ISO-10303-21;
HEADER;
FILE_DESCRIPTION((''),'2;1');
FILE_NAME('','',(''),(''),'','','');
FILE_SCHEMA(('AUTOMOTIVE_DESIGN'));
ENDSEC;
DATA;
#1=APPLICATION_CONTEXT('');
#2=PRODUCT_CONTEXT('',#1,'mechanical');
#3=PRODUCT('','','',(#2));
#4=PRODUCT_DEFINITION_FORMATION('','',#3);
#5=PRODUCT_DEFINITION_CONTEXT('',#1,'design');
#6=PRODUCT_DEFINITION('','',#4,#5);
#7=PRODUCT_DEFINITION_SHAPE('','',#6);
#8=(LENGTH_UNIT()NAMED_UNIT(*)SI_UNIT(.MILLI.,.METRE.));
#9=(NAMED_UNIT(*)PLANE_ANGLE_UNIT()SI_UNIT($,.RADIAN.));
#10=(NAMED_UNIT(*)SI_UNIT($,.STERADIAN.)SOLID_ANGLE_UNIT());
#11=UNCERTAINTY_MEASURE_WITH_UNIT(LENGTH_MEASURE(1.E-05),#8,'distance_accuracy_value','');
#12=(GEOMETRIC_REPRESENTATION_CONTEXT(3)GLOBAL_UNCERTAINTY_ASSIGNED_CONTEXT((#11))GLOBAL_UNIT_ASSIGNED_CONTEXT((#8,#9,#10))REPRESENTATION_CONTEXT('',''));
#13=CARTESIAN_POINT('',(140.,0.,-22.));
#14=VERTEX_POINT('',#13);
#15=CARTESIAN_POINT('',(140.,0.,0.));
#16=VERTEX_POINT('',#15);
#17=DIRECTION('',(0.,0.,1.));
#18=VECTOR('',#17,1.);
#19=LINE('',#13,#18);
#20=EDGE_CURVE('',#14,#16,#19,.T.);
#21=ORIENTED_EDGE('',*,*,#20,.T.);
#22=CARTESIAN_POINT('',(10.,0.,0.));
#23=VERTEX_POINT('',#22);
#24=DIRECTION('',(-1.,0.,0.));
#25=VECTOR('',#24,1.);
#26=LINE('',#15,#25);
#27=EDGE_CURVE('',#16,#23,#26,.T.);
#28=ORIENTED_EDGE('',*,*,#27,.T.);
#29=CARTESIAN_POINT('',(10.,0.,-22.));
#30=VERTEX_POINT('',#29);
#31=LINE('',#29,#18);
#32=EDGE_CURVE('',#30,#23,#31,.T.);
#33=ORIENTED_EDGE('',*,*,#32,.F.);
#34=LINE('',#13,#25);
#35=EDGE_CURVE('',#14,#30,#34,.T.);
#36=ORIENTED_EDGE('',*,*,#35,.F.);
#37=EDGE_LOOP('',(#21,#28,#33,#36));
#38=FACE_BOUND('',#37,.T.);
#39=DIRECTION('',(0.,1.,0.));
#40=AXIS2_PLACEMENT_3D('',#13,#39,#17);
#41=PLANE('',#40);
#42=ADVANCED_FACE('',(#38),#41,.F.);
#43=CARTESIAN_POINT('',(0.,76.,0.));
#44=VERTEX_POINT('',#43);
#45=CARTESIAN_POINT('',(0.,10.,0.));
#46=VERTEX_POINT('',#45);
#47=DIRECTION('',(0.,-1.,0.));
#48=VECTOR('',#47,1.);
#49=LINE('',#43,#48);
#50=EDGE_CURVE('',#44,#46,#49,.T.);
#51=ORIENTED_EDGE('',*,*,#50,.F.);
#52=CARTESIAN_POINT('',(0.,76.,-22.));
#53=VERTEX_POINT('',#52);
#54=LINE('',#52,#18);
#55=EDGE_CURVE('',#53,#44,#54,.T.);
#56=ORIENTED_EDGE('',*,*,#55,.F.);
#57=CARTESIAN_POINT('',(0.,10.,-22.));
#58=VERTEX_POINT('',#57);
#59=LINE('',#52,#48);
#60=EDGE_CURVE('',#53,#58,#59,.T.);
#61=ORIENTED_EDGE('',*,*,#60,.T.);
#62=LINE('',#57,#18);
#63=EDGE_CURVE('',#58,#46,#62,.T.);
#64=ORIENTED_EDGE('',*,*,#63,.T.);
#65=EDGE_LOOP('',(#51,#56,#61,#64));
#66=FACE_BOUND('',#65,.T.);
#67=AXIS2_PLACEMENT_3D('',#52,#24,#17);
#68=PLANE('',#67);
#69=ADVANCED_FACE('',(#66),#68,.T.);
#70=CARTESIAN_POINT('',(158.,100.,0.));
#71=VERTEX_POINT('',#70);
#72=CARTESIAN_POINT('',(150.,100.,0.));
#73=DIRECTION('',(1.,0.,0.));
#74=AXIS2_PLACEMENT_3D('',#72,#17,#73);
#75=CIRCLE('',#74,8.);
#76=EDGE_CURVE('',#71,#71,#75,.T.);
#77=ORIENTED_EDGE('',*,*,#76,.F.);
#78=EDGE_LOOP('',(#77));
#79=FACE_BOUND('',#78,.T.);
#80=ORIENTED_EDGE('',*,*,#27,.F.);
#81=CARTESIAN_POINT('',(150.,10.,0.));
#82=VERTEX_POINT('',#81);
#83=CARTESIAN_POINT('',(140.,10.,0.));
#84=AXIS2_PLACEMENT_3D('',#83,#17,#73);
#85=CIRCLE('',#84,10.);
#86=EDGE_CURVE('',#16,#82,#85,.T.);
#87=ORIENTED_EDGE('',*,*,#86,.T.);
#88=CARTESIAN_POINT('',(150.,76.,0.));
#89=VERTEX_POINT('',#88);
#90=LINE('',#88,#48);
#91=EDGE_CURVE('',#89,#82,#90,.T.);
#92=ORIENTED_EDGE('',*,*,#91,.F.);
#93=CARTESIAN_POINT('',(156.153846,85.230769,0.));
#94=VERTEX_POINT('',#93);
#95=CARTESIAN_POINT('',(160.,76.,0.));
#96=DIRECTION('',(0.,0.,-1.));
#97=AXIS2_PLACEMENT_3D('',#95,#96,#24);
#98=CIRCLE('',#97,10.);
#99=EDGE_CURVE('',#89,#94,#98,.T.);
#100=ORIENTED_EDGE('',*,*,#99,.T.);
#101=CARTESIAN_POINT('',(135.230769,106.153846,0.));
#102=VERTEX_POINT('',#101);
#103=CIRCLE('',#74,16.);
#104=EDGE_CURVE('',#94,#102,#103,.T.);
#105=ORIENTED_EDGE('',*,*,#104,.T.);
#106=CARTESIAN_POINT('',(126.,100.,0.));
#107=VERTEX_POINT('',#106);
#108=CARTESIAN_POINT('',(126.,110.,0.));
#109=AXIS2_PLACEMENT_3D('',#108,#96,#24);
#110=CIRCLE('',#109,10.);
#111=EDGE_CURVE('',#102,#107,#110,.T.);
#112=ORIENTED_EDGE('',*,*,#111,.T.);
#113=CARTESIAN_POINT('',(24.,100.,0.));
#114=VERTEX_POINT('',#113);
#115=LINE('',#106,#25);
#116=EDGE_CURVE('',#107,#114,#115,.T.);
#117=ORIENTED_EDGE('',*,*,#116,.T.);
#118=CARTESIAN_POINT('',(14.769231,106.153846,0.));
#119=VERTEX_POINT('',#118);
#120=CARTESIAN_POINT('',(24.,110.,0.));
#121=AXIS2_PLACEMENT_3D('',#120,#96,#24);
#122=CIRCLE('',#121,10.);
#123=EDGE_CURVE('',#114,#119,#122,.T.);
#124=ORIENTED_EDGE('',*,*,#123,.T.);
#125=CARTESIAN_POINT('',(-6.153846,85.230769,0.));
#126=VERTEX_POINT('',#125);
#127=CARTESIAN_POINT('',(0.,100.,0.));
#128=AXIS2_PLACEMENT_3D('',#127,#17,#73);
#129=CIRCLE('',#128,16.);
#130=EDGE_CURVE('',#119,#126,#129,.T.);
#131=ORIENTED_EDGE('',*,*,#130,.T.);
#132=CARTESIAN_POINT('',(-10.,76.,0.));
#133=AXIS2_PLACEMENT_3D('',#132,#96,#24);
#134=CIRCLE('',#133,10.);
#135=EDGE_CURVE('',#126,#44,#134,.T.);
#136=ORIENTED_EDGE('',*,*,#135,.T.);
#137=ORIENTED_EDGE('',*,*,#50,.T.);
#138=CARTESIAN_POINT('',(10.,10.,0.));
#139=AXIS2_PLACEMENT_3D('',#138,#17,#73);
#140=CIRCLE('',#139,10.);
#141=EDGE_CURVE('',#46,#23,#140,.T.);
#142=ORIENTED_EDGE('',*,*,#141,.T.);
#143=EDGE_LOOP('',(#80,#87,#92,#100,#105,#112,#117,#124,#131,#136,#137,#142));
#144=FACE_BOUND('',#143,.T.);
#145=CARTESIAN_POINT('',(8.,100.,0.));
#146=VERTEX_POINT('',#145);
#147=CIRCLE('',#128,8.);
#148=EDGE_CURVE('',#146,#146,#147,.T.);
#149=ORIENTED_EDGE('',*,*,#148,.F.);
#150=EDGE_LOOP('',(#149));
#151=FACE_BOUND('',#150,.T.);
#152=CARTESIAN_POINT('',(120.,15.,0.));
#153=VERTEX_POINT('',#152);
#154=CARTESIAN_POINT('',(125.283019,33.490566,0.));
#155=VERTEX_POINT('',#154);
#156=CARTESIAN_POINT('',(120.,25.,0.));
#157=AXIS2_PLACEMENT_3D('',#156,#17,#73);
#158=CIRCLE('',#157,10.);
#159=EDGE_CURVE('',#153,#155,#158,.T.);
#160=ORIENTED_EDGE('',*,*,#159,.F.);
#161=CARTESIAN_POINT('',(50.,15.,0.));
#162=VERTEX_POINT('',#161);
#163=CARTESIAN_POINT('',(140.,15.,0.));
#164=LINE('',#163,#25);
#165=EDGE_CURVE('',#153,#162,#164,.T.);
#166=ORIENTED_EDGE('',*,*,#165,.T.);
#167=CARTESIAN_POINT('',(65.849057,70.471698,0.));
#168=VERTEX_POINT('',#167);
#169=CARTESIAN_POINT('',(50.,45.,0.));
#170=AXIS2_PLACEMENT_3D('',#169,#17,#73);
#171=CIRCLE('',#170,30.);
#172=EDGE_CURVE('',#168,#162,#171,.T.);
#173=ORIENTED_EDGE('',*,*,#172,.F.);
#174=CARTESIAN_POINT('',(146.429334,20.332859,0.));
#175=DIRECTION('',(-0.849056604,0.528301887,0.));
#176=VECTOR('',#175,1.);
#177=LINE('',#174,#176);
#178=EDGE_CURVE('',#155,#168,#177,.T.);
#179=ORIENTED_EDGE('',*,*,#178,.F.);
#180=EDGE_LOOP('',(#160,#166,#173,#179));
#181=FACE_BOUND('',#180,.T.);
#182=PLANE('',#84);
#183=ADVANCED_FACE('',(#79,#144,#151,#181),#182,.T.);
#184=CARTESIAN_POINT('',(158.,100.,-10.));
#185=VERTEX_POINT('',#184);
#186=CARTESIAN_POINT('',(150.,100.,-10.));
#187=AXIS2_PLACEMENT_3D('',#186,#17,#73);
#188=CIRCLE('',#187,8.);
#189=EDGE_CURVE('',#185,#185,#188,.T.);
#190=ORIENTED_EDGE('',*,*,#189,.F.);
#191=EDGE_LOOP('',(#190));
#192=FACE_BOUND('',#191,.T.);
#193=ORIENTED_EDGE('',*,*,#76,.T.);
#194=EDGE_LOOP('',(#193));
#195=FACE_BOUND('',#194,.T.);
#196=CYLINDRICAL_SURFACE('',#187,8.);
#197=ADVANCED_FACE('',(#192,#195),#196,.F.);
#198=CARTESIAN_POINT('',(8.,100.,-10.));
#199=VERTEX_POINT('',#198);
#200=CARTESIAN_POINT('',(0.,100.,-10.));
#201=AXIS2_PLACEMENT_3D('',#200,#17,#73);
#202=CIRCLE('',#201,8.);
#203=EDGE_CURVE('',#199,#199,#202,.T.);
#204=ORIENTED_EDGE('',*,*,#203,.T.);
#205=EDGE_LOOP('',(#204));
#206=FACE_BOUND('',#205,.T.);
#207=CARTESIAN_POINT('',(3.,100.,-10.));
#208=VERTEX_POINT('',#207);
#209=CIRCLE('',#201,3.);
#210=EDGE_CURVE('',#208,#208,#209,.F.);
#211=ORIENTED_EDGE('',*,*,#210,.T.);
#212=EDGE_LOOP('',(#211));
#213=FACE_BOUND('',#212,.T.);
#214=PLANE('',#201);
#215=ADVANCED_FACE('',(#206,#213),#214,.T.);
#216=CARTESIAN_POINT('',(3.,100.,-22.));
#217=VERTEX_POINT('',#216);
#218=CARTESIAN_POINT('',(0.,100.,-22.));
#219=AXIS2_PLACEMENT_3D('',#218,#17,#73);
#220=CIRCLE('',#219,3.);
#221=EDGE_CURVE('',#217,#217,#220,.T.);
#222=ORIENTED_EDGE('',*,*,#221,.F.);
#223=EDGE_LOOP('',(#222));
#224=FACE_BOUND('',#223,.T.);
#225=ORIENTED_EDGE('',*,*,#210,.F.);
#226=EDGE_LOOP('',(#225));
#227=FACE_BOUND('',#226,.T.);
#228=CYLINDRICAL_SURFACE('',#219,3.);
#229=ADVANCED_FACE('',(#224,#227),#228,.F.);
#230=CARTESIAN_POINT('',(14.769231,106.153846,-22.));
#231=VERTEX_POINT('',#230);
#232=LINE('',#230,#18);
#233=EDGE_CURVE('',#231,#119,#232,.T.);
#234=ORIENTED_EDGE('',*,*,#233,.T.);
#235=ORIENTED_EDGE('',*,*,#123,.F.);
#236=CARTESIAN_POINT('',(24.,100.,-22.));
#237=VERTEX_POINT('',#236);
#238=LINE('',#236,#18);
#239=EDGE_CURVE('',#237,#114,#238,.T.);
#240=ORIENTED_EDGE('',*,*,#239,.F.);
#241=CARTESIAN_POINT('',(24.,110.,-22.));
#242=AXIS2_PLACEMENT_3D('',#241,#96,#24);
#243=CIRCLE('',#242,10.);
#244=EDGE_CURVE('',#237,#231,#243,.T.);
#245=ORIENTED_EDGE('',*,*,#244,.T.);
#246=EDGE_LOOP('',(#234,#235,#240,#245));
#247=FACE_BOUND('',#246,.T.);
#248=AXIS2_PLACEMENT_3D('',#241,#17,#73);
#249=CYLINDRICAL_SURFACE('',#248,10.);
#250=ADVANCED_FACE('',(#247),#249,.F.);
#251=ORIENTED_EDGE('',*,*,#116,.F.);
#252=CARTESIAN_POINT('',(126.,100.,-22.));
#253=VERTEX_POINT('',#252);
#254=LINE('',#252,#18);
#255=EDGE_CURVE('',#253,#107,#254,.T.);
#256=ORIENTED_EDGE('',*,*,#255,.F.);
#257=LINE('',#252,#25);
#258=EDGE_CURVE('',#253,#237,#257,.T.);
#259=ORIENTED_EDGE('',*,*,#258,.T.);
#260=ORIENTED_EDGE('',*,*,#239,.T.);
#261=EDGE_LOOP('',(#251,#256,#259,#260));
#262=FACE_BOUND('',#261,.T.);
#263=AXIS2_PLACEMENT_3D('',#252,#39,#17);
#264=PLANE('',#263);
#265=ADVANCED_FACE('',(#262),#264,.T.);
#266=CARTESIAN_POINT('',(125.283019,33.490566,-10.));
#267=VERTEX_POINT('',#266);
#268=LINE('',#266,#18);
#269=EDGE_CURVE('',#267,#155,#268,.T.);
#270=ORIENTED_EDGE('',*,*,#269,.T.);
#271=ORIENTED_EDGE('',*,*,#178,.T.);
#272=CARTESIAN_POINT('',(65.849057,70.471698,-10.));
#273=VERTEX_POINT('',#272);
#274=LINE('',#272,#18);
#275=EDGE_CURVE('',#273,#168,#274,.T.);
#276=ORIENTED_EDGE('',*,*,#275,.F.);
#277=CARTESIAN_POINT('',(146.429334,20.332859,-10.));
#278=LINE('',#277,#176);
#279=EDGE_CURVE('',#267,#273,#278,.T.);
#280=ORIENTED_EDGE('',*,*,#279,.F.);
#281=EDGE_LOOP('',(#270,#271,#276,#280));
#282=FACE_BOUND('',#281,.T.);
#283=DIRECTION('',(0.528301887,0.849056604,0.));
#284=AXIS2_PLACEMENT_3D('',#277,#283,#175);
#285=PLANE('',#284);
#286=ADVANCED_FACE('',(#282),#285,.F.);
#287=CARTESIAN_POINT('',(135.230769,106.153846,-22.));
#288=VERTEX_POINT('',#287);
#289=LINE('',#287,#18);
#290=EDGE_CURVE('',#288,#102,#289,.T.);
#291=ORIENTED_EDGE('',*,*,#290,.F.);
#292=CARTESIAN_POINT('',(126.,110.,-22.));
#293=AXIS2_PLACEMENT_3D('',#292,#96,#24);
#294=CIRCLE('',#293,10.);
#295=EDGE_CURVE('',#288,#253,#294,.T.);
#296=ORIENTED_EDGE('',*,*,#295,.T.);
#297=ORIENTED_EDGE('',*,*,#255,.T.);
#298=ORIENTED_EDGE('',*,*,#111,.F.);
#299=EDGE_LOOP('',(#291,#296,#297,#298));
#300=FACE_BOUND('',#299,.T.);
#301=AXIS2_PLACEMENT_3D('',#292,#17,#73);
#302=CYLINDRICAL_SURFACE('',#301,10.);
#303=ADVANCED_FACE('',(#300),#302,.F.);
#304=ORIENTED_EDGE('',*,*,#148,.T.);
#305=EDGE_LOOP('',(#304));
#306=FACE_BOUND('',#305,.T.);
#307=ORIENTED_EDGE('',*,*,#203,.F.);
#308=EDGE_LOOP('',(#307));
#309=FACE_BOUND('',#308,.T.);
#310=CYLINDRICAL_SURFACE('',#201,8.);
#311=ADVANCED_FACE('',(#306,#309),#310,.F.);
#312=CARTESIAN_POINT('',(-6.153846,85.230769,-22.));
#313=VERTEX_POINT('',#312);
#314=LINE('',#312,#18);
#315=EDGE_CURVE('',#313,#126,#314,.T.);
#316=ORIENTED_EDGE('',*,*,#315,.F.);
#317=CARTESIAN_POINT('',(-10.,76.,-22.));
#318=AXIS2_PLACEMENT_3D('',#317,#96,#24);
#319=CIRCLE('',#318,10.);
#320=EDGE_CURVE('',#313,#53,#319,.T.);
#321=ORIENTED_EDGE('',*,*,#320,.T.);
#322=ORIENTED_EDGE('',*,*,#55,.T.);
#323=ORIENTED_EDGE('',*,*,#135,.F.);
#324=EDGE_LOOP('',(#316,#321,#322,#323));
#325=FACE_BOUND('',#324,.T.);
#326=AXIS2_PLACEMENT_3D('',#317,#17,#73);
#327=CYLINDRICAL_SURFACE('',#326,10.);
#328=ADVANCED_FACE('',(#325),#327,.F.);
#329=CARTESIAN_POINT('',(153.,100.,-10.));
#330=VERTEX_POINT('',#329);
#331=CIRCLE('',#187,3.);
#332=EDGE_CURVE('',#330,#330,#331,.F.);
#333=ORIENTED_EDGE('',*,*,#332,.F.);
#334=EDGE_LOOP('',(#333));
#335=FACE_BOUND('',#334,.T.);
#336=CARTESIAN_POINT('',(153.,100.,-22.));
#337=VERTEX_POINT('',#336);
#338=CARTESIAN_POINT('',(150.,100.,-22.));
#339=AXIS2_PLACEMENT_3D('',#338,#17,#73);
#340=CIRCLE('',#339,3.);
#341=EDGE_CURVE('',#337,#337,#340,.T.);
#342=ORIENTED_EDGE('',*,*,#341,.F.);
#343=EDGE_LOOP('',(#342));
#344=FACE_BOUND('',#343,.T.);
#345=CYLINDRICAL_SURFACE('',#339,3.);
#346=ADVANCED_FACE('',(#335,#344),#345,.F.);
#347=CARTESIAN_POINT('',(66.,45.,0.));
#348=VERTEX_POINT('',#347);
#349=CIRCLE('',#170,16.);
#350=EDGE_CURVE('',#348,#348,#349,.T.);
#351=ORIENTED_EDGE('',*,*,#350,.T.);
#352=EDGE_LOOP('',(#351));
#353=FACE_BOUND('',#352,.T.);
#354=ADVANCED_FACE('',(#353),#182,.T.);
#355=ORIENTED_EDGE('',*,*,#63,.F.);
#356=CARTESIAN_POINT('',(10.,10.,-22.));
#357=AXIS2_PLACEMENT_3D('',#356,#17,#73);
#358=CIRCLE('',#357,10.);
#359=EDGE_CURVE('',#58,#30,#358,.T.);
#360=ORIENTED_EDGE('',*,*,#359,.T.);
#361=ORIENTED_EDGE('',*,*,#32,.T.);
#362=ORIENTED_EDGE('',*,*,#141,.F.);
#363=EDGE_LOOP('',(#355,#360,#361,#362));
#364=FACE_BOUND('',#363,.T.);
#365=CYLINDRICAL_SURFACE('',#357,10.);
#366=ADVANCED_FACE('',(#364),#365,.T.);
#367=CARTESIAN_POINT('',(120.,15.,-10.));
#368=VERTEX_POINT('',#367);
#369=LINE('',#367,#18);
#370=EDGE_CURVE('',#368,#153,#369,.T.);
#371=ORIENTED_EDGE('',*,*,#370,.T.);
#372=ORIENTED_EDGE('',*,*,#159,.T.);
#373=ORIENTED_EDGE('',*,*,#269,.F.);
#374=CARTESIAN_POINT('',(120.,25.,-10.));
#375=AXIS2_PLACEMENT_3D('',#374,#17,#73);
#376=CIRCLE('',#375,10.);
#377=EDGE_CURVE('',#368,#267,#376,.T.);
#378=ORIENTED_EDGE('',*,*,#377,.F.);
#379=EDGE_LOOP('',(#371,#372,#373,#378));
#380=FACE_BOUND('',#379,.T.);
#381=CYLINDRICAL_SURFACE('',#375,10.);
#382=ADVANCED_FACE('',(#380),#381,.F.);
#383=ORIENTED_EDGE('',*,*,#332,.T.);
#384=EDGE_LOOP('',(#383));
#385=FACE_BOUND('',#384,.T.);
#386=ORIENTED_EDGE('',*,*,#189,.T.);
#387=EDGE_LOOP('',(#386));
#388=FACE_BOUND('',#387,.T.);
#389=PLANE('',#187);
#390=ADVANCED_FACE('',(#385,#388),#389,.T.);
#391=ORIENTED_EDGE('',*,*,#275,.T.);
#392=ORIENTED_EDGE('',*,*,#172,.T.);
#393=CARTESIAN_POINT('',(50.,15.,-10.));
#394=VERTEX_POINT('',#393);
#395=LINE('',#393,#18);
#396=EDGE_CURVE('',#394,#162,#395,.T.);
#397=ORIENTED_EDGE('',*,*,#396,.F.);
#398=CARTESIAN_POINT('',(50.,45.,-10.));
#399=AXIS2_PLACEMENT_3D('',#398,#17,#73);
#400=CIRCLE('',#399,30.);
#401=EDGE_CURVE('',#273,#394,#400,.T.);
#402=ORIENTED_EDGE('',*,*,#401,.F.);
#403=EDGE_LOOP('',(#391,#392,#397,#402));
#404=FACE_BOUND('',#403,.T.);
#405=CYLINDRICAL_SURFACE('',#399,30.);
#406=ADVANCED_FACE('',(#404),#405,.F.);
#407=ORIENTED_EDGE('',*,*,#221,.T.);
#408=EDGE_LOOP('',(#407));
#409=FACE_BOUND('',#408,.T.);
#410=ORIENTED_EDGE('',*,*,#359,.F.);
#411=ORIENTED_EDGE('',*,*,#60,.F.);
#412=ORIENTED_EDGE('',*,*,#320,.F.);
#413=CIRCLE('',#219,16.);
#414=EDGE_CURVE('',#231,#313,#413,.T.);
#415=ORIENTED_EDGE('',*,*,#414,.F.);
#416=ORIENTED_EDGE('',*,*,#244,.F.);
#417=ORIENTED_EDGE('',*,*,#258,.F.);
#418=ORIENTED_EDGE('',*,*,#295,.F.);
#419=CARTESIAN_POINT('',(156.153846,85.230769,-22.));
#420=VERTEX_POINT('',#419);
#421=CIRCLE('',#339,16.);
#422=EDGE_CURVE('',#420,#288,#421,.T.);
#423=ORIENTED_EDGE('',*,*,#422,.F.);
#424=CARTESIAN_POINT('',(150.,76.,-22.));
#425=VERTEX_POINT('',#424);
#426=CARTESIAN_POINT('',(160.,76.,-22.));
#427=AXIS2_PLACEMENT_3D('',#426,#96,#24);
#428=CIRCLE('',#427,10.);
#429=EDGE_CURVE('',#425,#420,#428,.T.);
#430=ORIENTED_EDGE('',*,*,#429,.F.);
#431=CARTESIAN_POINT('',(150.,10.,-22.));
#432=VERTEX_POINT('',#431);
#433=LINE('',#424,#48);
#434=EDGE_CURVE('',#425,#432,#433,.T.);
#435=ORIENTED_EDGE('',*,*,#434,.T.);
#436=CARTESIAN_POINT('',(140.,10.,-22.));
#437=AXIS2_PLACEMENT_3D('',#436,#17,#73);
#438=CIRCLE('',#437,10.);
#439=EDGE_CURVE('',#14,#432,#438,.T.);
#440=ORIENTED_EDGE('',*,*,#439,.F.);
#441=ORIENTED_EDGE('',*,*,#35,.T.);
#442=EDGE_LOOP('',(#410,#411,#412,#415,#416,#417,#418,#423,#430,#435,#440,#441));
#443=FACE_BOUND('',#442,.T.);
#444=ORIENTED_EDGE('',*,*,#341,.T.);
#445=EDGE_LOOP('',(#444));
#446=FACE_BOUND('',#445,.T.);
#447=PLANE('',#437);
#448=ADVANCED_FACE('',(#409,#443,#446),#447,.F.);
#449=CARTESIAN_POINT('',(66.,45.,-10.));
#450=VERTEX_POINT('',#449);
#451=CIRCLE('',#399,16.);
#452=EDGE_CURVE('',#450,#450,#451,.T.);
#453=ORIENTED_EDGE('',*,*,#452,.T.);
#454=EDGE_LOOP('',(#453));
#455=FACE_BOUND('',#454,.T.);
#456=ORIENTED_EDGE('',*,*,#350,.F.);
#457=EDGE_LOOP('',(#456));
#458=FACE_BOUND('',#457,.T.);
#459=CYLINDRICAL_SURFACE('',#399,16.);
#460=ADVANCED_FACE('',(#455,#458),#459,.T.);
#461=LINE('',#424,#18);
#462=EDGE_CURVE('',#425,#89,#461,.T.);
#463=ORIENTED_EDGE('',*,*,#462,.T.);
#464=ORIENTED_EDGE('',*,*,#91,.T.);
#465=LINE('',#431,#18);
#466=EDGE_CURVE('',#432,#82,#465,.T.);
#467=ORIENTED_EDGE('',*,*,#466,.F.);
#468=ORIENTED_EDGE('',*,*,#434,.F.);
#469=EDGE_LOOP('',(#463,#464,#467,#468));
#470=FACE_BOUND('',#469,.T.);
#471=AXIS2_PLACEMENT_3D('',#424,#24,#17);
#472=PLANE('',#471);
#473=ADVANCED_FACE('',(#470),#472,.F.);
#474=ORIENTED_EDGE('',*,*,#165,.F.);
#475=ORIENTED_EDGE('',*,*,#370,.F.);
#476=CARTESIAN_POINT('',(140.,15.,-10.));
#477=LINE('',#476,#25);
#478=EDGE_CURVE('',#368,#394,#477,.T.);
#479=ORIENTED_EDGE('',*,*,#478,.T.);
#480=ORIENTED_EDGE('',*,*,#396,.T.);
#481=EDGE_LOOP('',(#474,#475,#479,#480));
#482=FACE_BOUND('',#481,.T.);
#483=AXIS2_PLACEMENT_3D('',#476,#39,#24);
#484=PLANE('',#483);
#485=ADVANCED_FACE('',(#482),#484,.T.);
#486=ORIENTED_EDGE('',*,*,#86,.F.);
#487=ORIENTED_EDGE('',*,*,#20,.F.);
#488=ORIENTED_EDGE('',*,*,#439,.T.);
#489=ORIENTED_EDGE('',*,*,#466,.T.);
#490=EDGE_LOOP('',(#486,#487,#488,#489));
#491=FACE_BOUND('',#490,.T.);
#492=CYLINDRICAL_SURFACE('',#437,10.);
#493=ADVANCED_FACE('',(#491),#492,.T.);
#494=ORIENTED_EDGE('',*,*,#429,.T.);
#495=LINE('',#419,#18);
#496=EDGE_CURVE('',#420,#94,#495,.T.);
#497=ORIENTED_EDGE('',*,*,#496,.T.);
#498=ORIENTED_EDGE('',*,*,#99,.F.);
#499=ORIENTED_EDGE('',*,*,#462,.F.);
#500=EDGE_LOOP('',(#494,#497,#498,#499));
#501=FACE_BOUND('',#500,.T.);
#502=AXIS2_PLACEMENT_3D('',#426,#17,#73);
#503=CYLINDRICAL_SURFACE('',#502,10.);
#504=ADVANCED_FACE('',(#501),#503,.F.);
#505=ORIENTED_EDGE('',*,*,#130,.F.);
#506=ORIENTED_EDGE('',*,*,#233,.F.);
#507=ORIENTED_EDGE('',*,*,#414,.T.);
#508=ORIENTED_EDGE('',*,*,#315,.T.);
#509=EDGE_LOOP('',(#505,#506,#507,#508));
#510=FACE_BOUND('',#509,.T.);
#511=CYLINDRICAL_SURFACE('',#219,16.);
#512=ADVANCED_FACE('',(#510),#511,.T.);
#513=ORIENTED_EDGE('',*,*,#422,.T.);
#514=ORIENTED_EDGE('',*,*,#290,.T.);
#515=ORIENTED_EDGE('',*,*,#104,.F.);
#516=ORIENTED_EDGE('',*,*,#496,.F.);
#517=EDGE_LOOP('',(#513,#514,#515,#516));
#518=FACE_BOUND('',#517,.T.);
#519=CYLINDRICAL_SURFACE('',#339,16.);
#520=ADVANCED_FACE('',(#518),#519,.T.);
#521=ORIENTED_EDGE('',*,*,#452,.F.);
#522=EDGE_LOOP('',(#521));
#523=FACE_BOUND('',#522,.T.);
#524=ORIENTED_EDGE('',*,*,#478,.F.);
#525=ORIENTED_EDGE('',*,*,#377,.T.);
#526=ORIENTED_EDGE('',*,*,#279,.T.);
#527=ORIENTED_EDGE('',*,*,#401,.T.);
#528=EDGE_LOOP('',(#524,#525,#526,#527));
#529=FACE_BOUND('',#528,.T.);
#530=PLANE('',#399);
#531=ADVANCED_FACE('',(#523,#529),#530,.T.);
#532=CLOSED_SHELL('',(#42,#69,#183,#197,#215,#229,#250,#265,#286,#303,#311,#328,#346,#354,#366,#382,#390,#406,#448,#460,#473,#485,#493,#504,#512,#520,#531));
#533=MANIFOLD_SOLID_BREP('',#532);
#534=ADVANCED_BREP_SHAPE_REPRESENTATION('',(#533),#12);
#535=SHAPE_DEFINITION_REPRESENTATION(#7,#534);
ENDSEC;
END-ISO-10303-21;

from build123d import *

# Parameters (mm, degrees)
SKETCH4_R          = 3
EXTRUDE1_DEPTH     = 22
SKETCH4_3_R        = 16
CUT_EXTRUDE1_DEPTH = 10
SKETCH4_4_R        = 8
CUT_EXTRUDE2_DEPTH = 10


with BuildPart() as part:
    # Sketch4 → Extrude1 (new body)
    with BuildSketch(Plane.XY):
        with BuildLine():
            Line((126, 100), (24, 100))
            ThreePointArc((24, 100), (18.452998038, 101.679497057), (14.769230769, 106.153846154))
            ThreePointArc((14.769230769, 106.153846154), (-11.313708499, 111.313708499), (-6.153846154, 85.230769231))
            ThreePointArc((-6.153846154, 85.230769231), (-1.679497057, 81.547001962), (0, 76))
            Line((0, 76), (0, 10))
            ThreePointArc((0, 10), (2.928932188, 2.928932188), (10, 0))
            Line((10, 0), (140, 0))
            ThreePointArc((140, 0), (147.071067812, 2.928932188), (150, 10))
            Line((150, 10), (150, 76))
            ThreePointArc((150, 76), (151.679497057, 81.547001962), (156.153846154, 85.230769231))
            ThreePointArc((156.153846154, 85.230769231), (161.313708499, 111.313708499), (135.230769231, 106.153846154))
            ThreePointArc((135.230769231, 106.153846154), (131.547001962, 101.679497057), (126, 100))
        make_face()
        with Locations((0, 100)):
            Circle(SKETCH4_R, mode=Mode.SUBTRACT)
        with Locations((150, 100)):
            Circle(SKETCH4_R, mode=Mode.SUBTRACT)
    extrude(amount=-EXTRUDE1_DEPTH)

    # Sketch4<3> → Cut-Extrude1 (cut)
    with BuildSketch(Plane.XY):
        with BuildLine():
            Line((65.849056604, 70.471698113), (125.283018868, 33.490566038))
            ThreePointArc((125.283018868, 33.490566038), (129.615239476, 22.252788721), (120, 15))
            Line((120, 15), (50, 15))
            ThreePointArc((50, 15), (21.154281571, 53.241633837), (65.849056604, 70.471698113))
        make_face()
        with Locations((50, 45)):
            Circle(SKETCH4_3_R, mode=Mode.SUBTRACT)
    extrude(amount=-CUT_EXTRUDE1_DEPTH, mode=Mode.SUBTRACT)

    # Sketch4<4> → Cut-Extrude2 (cut)
    with BuildSketch(Plane.XY):
        with Locations((0, 100)):
            Circle(SKETCH4_4_R)
        with Locations((150, 100)):
            Circle(SKETCH4_4_R)
    extrude(amount=-CUT_EXTRUDE2_DEPTH, mode=Mode.SUBTRACT)


solid = part.part
